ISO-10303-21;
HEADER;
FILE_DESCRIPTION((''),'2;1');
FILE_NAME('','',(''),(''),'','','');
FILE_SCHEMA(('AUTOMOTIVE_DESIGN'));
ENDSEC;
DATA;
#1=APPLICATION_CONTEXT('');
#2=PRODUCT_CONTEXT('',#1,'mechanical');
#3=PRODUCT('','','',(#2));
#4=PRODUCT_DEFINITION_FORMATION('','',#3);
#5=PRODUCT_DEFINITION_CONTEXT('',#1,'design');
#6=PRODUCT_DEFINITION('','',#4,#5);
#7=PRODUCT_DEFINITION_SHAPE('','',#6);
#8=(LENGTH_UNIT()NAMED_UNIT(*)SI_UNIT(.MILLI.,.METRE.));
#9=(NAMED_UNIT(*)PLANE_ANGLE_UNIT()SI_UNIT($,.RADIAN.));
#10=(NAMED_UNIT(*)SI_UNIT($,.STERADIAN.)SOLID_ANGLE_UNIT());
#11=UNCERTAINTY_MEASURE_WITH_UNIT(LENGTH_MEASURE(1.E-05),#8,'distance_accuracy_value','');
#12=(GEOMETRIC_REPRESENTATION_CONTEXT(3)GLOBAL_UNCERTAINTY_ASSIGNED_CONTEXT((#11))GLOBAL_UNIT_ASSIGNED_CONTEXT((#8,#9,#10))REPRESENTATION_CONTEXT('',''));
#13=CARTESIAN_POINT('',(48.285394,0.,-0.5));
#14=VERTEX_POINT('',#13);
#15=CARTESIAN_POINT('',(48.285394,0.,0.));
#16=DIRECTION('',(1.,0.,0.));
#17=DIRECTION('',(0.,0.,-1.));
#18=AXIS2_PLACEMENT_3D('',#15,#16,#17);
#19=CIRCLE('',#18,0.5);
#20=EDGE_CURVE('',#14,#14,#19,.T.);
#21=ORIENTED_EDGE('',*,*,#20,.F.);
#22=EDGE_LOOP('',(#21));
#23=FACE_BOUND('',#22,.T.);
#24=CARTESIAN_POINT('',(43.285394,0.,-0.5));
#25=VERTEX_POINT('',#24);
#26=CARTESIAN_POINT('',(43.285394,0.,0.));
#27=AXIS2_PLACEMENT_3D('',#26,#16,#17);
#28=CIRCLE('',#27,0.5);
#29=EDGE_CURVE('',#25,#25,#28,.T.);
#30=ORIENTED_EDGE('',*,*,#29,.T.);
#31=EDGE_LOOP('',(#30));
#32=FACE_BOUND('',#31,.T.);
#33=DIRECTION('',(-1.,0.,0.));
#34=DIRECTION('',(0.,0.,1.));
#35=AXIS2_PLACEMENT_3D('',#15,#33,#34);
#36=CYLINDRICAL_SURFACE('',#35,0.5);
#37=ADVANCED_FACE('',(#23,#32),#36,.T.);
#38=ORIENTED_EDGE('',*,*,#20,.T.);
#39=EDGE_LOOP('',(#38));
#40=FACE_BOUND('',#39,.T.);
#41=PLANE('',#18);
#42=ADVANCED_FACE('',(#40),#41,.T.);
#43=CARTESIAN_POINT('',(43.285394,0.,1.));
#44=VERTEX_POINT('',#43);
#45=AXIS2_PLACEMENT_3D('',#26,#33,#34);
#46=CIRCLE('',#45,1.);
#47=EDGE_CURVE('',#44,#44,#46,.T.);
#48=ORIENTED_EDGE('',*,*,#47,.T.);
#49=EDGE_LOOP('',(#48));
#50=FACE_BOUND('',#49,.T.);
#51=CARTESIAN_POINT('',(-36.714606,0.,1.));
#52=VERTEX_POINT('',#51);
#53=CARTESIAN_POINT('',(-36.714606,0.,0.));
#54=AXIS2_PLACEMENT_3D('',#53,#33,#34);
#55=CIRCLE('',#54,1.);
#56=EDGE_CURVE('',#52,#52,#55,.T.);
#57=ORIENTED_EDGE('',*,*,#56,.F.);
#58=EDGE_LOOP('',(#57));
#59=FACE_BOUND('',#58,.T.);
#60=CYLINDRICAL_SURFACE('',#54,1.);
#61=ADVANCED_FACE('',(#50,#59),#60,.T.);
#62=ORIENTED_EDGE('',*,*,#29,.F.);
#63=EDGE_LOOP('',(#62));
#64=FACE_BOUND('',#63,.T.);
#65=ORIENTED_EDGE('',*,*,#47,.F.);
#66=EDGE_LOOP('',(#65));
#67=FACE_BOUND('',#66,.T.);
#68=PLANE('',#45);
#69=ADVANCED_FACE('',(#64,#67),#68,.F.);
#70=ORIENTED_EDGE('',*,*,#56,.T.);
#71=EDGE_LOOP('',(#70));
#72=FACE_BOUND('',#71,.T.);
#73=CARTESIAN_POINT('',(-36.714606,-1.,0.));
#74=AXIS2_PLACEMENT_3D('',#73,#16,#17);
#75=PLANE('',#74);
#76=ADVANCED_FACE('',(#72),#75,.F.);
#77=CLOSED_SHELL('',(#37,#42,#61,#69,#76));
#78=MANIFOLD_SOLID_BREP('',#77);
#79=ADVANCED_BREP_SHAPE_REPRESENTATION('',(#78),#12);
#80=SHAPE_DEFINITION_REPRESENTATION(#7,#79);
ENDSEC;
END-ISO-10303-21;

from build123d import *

# Parameters (mm, degrees)
SKETCH1_W           = 80
SKETCH1_H           = 1
SKETCH2_R           = 0.5
BOSS_EXTRUDE1_DEPTH = 5


with BuildPart() as part:
    # Sketch1 → Revolve-Thin1 (revolve)
    with BuildSketch(Plane.XY, mode=Mode.PRIVATE) as revolve_thin1_sk:
        with Locations((3.285394164, 0.5)):
            Rectangle(SKETCH1_W, SKETCH1_H)
    revolve(revolve_thin1_sk.sketch.rotate(Axis((-36.714605836, 0, 0), (1, 0, 0)), 90), axis=Axis((-36.714605836, 0, 0), (1, 0, 0)))

    # Sketch2 → Boss-Extrude1 (add)
    with BuildSketch(Plane(origin=(43.285394164, 0, 0), x_dir=(0, 0, -1), z_dir=(1, 0, 0))):
        Circle(SKETCH2_R)
    extrude(amount=BOSS_EXTRUDE1_DEPTH)


solid = part.part
